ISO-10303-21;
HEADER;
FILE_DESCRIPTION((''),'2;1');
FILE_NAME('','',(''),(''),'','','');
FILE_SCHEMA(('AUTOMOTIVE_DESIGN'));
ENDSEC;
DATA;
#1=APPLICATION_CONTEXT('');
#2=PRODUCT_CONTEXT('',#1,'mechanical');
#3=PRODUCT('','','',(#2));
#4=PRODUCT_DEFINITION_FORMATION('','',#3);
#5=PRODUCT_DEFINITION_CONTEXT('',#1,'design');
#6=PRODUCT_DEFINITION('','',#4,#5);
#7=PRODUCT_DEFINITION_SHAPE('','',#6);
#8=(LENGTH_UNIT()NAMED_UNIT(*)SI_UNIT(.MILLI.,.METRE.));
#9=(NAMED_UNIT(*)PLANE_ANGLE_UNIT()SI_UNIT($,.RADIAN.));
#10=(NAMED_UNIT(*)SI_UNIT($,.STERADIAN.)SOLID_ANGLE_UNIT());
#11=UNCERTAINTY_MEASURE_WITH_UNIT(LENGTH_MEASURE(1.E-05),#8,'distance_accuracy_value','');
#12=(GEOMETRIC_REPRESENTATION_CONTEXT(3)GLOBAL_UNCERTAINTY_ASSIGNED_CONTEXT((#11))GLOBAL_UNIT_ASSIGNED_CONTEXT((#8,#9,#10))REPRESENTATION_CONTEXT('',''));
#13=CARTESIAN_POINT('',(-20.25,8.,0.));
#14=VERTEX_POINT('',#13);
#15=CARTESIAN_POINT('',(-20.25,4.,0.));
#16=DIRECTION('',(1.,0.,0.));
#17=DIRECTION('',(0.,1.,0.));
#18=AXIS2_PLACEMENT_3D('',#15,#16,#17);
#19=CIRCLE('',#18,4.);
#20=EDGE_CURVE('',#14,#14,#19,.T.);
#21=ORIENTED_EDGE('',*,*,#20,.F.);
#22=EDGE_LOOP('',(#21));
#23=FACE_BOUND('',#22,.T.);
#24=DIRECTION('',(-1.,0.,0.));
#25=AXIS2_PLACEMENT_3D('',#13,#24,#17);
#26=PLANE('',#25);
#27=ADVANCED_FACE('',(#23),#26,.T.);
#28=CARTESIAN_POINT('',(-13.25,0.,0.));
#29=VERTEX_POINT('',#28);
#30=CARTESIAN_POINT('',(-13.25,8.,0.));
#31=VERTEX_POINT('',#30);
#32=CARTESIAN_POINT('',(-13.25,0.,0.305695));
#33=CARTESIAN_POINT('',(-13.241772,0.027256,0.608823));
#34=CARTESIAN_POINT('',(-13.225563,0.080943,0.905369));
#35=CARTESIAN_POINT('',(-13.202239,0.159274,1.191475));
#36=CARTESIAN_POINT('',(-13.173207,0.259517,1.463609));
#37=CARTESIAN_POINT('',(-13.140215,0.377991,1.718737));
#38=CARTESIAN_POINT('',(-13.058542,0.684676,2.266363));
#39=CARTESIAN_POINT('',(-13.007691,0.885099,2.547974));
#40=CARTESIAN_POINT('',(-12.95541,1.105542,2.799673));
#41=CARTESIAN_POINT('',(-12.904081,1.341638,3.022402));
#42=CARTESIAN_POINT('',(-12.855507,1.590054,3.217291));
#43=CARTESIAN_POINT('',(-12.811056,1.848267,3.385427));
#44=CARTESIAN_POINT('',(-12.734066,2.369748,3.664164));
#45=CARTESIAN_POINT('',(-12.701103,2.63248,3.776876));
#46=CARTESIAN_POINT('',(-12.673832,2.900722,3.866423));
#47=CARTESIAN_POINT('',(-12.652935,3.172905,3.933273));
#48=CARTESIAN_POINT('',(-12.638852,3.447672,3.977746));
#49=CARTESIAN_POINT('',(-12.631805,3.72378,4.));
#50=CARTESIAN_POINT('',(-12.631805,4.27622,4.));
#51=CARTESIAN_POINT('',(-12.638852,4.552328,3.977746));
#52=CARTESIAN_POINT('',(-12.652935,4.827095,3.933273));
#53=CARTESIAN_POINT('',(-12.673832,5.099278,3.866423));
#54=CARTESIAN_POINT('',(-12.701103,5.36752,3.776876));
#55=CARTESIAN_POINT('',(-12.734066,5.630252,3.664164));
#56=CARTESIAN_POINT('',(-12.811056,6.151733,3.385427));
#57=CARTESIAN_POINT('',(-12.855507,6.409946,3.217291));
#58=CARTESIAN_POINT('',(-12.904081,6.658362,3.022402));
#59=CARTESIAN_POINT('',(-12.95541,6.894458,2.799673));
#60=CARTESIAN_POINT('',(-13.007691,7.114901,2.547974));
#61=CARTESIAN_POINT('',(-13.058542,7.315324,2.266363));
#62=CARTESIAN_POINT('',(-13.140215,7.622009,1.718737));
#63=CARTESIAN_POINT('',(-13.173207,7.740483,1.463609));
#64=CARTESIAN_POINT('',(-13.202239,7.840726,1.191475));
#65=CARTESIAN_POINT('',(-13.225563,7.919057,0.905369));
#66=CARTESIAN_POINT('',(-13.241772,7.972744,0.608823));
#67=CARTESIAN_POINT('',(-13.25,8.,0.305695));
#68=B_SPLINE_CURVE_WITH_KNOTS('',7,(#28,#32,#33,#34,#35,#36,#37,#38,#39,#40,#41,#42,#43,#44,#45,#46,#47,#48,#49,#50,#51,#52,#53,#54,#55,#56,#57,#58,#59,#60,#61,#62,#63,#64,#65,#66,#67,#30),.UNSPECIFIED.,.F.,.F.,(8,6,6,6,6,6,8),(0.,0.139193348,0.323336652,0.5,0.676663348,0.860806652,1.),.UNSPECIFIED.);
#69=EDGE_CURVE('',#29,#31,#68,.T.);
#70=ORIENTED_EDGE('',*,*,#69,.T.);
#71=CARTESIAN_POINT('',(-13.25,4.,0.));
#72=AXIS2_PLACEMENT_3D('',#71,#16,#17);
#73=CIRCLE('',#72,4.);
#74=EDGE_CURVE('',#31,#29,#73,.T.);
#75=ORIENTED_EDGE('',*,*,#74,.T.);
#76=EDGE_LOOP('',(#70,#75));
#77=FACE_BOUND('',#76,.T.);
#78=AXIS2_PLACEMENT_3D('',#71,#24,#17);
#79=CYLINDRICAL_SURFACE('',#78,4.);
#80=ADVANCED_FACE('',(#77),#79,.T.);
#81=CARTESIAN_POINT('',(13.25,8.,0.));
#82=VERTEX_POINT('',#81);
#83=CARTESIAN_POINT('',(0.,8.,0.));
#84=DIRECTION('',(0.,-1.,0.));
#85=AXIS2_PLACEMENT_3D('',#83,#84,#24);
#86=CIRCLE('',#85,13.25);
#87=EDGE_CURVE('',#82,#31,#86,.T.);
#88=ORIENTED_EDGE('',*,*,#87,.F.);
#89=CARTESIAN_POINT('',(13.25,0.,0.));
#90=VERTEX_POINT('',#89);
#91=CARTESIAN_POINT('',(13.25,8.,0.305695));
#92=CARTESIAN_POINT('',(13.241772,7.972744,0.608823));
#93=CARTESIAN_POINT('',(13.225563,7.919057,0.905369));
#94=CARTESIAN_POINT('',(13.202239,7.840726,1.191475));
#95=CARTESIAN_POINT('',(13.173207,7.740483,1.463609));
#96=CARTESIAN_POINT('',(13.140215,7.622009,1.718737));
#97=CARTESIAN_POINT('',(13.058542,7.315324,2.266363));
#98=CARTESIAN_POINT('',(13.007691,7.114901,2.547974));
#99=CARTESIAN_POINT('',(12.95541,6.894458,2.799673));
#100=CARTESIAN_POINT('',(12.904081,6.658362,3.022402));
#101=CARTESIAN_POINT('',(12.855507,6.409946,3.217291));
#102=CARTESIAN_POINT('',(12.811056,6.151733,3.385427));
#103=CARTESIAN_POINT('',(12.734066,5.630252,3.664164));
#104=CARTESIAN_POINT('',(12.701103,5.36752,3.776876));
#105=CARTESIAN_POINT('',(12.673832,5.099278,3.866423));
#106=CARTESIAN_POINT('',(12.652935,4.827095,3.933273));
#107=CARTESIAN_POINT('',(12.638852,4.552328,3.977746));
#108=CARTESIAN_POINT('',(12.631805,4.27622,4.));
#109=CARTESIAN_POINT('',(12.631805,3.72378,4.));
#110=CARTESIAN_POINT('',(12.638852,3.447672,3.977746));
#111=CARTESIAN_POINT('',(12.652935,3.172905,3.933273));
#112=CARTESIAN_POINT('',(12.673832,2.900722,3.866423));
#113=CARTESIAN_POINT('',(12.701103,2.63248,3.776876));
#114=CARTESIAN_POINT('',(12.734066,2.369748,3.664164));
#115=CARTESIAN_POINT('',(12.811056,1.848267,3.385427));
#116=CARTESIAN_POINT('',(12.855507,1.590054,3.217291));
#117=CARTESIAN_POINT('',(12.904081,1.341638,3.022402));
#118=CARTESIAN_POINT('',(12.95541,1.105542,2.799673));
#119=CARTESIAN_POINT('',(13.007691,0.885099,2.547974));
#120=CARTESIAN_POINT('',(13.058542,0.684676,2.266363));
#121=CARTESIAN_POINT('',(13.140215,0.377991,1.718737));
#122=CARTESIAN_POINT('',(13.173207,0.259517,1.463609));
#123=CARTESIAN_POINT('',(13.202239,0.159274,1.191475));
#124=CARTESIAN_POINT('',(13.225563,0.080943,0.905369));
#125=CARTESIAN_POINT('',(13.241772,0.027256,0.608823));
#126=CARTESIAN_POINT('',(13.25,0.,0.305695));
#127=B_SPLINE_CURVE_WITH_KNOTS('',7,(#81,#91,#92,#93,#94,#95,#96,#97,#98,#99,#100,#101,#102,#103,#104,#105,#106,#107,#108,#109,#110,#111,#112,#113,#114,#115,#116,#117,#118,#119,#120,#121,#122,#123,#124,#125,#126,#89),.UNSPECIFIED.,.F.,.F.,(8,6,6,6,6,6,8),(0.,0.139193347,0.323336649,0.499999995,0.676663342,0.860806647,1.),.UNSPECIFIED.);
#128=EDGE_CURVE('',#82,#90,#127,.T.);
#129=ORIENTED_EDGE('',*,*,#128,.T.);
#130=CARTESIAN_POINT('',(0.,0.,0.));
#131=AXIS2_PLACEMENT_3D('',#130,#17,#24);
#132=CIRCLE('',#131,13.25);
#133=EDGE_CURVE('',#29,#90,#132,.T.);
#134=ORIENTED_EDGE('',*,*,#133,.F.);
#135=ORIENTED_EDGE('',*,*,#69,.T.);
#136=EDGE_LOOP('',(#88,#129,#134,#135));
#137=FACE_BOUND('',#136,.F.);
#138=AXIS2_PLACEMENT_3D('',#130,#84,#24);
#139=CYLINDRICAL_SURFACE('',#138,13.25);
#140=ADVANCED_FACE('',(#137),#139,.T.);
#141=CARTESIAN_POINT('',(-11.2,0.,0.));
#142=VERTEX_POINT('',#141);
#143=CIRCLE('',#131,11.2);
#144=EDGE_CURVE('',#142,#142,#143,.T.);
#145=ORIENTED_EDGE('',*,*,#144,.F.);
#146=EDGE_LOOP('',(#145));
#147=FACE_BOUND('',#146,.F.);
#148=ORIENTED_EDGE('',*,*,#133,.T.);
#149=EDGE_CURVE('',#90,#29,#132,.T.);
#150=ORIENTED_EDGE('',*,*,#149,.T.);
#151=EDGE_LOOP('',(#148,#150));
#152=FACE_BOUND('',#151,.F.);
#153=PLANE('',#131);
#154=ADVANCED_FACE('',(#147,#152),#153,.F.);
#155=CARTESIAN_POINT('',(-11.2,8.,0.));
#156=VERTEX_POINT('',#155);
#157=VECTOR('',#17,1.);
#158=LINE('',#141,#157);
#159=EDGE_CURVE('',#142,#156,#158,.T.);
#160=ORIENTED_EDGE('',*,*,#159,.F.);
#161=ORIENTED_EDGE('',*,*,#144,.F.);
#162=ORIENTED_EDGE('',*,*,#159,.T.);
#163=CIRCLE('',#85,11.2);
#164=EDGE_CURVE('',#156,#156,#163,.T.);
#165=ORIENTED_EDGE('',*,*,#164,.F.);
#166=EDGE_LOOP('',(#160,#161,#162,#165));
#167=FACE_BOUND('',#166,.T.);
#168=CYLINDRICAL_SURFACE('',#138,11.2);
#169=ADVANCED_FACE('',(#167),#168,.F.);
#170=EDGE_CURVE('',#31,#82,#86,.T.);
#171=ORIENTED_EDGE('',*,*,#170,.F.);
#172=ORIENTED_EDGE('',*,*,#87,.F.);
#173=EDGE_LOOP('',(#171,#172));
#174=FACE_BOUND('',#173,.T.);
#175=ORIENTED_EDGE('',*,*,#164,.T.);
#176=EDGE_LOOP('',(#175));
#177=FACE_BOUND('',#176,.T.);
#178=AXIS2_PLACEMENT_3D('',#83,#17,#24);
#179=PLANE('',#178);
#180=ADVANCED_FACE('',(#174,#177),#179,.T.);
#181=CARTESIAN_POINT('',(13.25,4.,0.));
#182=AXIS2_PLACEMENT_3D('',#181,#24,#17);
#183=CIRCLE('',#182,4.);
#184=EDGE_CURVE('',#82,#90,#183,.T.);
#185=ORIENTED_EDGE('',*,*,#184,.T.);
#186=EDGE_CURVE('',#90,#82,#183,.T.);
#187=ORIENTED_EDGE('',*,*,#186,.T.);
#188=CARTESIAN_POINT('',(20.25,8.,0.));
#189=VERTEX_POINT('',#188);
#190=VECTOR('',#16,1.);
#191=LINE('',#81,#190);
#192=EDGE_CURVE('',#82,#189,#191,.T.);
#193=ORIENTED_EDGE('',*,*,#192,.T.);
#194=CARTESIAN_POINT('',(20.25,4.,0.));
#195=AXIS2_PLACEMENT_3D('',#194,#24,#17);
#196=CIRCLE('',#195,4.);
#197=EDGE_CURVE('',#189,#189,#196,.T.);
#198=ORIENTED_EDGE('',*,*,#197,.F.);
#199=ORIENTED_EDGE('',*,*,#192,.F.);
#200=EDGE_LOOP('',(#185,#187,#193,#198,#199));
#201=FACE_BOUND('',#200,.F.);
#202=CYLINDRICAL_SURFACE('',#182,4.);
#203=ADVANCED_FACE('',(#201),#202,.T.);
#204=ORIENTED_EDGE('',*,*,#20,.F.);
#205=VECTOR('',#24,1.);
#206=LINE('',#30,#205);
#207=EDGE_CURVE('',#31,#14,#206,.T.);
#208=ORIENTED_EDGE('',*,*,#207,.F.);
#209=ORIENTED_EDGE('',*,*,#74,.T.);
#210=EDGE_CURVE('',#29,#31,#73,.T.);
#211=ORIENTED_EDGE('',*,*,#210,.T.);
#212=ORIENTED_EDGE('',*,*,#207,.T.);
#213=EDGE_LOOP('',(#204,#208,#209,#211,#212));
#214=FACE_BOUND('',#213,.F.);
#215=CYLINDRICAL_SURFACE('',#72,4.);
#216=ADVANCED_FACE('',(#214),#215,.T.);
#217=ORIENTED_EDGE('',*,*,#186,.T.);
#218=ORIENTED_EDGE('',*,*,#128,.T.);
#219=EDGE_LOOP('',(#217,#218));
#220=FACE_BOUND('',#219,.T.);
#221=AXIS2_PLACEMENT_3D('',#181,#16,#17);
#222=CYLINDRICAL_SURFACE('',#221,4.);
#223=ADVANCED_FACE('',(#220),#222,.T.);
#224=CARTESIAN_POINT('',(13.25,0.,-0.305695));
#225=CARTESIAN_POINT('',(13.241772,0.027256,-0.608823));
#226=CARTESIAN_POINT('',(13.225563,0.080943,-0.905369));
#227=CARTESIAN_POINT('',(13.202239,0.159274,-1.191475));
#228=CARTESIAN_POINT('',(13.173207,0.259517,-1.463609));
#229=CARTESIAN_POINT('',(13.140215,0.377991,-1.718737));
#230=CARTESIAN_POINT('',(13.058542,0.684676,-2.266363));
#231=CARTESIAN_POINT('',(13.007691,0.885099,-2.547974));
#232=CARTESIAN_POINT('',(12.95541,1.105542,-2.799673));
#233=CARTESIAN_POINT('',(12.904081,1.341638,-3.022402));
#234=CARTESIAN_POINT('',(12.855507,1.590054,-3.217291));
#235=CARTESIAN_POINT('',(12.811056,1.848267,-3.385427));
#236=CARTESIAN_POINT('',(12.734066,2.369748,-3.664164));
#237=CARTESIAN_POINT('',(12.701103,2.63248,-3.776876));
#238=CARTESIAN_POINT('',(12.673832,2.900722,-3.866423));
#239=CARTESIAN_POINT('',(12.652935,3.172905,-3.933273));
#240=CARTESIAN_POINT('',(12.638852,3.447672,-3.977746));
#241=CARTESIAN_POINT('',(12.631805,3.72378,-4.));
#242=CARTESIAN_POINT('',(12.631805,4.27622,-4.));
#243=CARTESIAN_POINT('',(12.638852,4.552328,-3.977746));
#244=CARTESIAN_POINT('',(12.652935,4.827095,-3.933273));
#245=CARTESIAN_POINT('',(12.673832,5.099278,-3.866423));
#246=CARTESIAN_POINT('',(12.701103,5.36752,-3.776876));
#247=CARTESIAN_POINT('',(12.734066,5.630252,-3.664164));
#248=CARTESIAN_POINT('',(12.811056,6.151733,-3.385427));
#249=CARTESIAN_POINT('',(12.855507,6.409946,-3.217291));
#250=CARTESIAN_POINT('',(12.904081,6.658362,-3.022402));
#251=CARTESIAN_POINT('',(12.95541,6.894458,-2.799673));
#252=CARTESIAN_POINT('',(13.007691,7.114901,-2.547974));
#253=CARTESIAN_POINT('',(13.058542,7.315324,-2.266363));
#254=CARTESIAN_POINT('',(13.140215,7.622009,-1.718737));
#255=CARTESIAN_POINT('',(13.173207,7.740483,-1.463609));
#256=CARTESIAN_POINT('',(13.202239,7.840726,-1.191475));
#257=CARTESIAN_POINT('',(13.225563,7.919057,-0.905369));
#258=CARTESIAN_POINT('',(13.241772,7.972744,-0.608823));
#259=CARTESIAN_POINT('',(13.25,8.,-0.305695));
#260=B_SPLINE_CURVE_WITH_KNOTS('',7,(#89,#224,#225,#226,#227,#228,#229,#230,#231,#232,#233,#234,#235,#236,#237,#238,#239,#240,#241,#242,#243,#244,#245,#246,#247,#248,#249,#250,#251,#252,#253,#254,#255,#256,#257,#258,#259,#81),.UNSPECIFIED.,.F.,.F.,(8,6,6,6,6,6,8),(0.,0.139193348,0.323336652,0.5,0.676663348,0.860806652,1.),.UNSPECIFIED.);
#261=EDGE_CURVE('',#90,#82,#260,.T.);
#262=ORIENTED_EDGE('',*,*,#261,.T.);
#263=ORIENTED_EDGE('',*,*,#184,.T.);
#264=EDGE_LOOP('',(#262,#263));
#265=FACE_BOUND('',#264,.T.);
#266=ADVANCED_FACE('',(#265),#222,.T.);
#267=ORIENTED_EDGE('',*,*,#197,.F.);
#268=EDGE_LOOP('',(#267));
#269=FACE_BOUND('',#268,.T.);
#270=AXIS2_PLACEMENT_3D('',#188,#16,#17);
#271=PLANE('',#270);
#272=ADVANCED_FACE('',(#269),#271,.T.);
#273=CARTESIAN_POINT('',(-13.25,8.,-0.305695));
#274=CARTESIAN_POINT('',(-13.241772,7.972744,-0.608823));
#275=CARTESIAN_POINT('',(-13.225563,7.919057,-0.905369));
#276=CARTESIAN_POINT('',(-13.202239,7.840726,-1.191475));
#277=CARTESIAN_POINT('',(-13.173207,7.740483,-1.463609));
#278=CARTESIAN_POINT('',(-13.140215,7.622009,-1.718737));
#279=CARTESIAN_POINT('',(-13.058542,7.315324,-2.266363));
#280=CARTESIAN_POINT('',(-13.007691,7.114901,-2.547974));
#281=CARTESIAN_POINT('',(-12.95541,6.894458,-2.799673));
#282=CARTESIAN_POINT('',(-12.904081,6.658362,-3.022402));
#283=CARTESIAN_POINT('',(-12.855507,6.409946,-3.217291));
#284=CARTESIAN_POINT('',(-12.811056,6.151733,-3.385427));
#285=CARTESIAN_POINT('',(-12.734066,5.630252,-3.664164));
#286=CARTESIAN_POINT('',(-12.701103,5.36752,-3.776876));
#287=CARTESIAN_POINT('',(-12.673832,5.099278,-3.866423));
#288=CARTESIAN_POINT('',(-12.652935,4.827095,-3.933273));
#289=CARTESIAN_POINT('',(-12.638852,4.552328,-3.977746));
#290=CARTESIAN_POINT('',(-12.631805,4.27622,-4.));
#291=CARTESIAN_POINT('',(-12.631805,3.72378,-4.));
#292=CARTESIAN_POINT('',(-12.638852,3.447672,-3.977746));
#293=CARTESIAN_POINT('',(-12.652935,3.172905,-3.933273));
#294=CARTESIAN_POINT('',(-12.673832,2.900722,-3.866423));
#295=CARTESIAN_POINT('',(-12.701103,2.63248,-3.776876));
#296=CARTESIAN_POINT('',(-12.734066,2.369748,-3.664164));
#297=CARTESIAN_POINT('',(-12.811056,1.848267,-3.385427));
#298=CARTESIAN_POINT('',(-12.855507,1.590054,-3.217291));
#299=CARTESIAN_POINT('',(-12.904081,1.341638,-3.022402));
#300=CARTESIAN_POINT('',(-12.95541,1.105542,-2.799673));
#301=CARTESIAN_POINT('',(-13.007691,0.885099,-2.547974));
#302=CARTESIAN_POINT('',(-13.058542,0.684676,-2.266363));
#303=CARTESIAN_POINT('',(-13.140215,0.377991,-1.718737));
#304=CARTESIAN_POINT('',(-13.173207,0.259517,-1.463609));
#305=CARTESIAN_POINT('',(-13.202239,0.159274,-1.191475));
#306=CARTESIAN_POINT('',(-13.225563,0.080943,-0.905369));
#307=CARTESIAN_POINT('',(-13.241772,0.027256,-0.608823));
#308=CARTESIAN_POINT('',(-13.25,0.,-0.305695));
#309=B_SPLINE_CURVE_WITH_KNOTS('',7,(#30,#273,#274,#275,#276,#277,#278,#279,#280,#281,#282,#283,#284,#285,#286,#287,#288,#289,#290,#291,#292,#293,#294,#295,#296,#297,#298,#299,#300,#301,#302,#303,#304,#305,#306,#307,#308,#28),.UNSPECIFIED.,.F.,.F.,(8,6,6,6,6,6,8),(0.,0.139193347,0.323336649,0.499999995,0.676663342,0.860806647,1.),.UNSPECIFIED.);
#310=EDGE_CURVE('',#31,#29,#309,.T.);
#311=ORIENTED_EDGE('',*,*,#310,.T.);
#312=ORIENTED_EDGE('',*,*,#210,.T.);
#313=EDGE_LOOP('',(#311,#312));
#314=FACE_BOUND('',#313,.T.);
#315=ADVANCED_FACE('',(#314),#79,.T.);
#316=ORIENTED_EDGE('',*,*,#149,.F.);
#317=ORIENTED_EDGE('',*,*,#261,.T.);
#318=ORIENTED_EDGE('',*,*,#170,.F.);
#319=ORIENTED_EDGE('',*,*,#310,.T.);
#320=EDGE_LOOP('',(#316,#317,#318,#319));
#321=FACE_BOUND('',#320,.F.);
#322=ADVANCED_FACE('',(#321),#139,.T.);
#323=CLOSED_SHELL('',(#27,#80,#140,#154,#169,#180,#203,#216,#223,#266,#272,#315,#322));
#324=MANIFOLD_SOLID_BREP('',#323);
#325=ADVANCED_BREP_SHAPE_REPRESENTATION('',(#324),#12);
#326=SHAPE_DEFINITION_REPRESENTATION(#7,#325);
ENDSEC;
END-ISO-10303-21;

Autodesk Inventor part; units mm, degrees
ref_plane "YZ Plane" through (0, 0, 0) normal (1, 0, 0) x (0, 1, 0)
ref_plane "XZ Plane" through (0, 0, 0) normal (0, 1, 0) x (-1, 0, 0)
sketch "Sketch6" plane through (0, 0, 0) normal (0, 1, 0) x (-1, 0, 0)
  circle A0 centre (0, 0) radius 4
  circle A1 centre (0, 0) radius 11.2
  circle A2 centre (0, 0) radius 14
  circle A3 centre (0, 0) radius 13.25
  line L0 (4, 13.4164) -> (-4, 13.4164)
  line L1 (19.6, 0) -> (-19.6, 0) projected
  point P0 (13.25, 0)
  point P1 (-13.25, 0)
  point P2 (-14, 0)
  point P3 (14, 0)
  dimension "d13" = 8
  dimension "d14" = 22.4
  dimension "d15" = 28
  dimension "d16" = 26.5
  dimension "d17" = 8
extrude "Extrusion7" add sketch "Sketch6" along normal blind 8 contours L1 A3 A1 | A1 L1 A3
sketch "Sketch9" plane through (0, 8, 0) normal (0, 1, 0) x (1, 0, 0)
  circle A0 centre (0, 0) radius 13.25 projected
  line L0 (-18.55, 0) -> (18.55, 0) projected
  point P0 (13.25, 0)
ref_plane "Work Plane3" through (13.25, 8, 0) normal (1, 0, 0) x (0, 1, 0)
sketch "Sketch10" plane through (13.25, 8, 0) normal (1, 0, 0) x (0, 1, 0)
  line L0 (-9.6, 0) -> (1.6, 0) projected
  line L1 (-9.6, 0) -> (1.6, 0) projected
  line L2 (-8, 13.25) -> (0, 13.25) projected
  line L3 (-8, -13.25) -> (0, -13.25) projected
  line L4 (0, -13.25) -> (0, 13.25) projected
  line L5 (-8, -13.25) -> (-8, 13.25) projected
  line L6 (0, -13.25) -> (-8, 13.25)
  circle A0 centre (-4, 0) radius 4
  point P0 (-8, 0)
  dimension "d30" = 8
extrude "Extrusion8" add sketch "Sketch10" against normal up to surface contours A0 L6 L0 | L0 L6 A0 | L6 A0 L0 | L0 A0 L6
extrude "Extrusion9" add sketch "Sketch10" along normal blind 7 contours A0 L6 L0 | L0 L6 A0 | L6 A0 L0 | L0 A0 L6
pattern_circular "Circular Pattern3" count 2 over 360 about axis through (0, 0, 0) along (0, 1, 0) of "Extrusion8", "Extrusion9"
properties part number "anillo central"
